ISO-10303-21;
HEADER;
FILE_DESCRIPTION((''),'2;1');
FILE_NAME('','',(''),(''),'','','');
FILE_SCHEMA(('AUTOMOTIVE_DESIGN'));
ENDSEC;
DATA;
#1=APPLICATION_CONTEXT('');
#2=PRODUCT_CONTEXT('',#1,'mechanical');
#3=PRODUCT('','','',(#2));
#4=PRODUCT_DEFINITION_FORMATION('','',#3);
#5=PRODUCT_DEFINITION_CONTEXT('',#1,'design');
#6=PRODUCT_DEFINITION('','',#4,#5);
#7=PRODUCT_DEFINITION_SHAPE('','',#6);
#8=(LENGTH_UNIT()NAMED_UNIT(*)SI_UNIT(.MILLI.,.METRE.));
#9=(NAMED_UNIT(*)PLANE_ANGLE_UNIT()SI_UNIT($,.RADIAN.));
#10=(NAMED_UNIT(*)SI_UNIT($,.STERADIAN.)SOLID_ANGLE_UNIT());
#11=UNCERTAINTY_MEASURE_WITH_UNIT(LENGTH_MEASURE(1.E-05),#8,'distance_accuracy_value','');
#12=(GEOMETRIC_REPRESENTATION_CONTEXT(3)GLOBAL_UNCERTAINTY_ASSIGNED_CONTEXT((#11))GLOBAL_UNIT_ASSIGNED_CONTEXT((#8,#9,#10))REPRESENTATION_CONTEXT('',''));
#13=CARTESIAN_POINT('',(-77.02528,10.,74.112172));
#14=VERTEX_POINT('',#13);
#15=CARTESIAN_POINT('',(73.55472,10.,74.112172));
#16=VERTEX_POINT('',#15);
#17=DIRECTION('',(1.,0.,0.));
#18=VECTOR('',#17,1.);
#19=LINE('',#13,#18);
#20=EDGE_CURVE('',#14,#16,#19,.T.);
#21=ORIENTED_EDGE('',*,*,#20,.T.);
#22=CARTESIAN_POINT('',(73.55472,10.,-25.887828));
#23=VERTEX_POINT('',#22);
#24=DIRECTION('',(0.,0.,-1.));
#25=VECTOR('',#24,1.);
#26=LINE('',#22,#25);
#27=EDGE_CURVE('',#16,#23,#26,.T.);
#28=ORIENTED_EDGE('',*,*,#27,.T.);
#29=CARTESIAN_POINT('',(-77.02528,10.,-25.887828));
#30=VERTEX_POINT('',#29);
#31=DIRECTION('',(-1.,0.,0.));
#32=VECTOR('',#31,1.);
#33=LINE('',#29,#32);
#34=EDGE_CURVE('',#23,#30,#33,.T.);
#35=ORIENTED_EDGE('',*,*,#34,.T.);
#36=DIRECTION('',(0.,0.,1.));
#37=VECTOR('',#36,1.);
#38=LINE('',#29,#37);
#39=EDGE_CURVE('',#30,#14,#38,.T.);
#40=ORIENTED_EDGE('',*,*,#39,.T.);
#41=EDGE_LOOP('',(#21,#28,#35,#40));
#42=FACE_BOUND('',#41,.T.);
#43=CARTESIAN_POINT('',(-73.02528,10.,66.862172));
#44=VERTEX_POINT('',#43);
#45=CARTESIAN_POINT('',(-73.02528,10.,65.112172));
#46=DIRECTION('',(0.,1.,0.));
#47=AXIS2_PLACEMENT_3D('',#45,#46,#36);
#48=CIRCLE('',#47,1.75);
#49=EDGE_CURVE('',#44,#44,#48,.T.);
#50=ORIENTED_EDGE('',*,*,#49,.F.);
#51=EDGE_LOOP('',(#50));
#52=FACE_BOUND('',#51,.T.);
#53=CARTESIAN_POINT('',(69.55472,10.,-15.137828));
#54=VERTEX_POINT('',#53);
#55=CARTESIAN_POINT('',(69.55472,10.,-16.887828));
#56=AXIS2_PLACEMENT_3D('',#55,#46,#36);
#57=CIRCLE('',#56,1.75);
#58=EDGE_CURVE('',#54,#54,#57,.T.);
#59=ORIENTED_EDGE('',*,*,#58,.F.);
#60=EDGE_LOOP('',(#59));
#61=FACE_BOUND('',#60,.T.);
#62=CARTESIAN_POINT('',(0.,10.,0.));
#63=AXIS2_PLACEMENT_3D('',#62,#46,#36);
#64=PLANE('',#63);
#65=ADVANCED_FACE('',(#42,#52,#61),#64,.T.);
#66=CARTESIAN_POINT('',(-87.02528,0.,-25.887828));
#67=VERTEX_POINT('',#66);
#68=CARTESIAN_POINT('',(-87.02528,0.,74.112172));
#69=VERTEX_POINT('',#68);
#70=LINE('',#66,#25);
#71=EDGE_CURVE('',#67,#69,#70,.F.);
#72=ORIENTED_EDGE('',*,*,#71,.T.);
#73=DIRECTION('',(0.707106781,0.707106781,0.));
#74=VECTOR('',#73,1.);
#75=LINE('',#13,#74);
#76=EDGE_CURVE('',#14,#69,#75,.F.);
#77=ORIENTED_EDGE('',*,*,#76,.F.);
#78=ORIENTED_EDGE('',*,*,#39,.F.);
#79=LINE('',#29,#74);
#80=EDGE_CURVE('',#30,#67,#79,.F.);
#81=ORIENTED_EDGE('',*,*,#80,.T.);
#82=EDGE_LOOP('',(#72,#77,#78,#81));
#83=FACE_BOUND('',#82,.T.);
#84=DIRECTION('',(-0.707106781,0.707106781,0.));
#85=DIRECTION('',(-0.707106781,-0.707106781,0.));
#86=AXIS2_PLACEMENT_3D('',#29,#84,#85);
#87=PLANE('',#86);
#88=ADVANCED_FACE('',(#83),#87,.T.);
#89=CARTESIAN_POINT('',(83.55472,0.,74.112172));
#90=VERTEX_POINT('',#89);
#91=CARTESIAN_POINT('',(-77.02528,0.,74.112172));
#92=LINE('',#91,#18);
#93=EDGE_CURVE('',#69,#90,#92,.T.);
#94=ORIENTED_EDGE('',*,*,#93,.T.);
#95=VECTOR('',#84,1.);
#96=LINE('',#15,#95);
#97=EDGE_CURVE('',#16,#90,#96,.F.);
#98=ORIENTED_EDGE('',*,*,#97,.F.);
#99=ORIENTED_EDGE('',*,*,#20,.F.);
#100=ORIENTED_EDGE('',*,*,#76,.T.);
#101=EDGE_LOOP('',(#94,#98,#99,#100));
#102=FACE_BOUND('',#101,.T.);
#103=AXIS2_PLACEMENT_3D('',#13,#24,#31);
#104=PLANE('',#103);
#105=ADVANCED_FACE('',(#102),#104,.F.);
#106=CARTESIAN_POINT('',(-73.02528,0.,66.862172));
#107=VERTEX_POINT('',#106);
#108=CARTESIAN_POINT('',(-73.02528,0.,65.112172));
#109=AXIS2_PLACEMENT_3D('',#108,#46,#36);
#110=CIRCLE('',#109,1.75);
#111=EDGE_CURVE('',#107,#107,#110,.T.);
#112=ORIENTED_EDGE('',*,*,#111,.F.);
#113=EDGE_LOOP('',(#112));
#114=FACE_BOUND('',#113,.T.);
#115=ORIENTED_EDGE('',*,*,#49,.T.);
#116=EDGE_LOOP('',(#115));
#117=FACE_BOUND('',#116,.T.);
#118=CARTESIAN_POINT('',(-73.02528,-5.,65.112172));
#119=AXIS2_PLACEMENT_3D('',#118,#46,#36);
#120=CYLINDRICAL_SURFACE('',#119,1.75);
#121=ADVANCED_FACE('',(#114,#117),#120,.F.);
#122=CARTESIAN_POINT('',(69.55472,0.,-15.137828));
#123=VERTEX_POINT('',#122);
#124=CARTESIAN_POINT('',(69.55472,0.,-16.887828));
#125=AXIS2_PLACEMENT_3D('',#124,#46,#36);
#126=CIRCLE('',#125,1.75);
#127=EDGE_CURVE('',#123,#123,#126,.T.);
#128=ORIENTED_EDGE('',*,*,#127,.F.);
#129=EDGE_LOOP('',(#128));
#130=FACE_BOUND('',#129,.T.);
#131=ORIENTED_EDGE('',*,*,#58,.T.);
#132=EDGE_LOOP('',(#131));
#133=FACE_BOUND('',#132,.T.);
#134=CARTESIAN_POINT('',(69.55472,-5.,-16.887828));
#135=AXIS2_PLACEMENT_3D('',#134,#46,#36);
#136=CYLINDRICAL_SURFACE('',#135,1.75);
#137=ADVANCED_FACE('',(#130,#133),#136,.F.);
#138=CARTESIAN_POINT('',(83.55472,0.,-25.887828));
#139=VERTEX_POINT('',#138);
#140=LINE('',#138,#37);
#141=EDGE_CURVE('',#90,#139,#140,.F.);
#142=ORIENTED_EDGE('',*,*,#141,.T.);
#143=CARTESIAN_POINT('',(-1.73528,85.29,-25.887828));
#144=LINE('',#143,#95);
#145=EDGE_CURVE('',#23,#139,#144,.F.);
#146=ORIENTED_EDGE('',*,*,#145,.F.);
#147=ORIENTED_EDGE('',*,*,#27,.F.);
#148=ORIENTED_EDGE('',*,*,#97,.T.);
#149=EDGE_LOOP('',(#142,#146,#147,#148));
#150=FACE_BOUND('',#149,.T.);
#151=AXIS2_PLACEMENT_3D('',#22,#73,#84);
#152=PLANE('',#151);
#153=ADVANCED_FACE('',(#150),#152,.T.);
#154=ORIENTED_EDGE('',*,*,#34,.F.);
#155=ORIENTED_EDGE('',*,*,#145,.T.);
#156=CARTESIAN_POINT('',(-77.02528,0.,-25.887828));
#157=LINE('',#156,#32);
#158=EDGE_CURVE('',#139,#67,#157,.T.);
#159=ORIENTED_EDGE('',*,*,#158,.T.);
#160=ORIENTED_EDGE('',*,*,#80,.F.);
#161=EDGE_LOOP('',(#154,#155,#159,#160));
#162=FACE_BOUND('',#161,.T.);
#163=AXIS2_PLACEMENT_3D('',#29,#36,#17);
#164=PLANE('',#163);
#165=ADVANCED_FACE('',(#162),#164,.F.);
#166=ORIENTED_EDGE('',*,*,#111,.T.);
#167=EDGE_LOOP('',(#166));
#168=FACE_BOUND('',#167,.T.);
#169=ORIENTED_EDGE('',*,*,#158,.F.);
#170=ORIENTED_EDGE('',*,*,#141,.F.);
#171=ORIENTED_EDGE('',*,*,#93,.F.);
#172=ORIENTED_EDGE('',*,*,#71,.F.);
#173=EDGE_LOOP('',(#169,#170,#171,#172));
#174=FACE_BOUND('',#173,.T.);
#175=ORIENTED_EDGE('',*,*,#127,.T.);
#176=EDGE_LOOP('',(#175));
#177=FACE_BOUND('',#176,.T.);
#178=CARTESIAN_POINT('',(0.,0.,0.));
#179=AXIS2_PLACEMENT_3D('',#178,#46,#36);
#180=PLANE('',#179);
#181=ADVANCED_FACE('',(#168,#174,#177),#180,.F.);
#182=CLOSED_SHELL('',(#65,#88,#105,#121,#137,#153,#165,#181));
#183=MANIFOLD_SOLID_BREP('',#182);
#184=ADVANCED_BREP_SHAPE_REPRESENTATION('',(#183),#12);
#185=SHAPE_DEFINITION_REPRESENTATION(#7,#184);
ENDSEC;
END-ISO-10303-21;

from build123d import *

# Parameters (mm, degrees)
SKETCH3_W           = 150.58
SKETCH3_H           = 100
BOSS_EXTRUDE1_DEPTH = 10
DRAFT1_ANGLE        = 45
SKETCH4_R           = 1.75
CUT_EXTRUDE1_DEPTH  = 15


with BuildPart() as part:
    # Sketch3 → Boss-Extrude1 (new body)
    with BuildSketch(Plane(origin=(0, 0, 0), x_dir=(1, 0, 0), z_dir=(0, 1, 0))):
        with Locations((-1.73528017, -24.11217163)):
            Rectangle(SKETCH3_W, SKETCH3_H)
    extrude(amount=BOSS_EXTRUDE1_DEPTH)

    # Draft1
    draft1_faces = [part.faces().sort_by_distance(p)[0] for p in [
        (73.55471983, 5, 24.11217163),
        (-77.02528017, 5, 24.11217163),
    ]]
    draft(draft1_faces, Plane.ZX.offset(10), DRAFT1_ANGLE)

    # Sketch4 → Cut-Extrude1 (cut)
    with BuildSketch(Plane(origin=(0, 10, 0), x_dir=(1, 0, 0), z_dir=(0, 1, 0))):
        with Locations(Location((69.55471983, 16.88782837, 0), (0, 0, 270))):
            Circle(SKETCH4_R)
        with Locations(Location((-73.02528017, -65.11217163, 0), (0, 0, 270))):
            Circle(SKETCH4_R)
    extrude(amount=-CUT_EXTRUDE1_DEPTH, mode=Mode.SUBTRACT)


solid = part.part
